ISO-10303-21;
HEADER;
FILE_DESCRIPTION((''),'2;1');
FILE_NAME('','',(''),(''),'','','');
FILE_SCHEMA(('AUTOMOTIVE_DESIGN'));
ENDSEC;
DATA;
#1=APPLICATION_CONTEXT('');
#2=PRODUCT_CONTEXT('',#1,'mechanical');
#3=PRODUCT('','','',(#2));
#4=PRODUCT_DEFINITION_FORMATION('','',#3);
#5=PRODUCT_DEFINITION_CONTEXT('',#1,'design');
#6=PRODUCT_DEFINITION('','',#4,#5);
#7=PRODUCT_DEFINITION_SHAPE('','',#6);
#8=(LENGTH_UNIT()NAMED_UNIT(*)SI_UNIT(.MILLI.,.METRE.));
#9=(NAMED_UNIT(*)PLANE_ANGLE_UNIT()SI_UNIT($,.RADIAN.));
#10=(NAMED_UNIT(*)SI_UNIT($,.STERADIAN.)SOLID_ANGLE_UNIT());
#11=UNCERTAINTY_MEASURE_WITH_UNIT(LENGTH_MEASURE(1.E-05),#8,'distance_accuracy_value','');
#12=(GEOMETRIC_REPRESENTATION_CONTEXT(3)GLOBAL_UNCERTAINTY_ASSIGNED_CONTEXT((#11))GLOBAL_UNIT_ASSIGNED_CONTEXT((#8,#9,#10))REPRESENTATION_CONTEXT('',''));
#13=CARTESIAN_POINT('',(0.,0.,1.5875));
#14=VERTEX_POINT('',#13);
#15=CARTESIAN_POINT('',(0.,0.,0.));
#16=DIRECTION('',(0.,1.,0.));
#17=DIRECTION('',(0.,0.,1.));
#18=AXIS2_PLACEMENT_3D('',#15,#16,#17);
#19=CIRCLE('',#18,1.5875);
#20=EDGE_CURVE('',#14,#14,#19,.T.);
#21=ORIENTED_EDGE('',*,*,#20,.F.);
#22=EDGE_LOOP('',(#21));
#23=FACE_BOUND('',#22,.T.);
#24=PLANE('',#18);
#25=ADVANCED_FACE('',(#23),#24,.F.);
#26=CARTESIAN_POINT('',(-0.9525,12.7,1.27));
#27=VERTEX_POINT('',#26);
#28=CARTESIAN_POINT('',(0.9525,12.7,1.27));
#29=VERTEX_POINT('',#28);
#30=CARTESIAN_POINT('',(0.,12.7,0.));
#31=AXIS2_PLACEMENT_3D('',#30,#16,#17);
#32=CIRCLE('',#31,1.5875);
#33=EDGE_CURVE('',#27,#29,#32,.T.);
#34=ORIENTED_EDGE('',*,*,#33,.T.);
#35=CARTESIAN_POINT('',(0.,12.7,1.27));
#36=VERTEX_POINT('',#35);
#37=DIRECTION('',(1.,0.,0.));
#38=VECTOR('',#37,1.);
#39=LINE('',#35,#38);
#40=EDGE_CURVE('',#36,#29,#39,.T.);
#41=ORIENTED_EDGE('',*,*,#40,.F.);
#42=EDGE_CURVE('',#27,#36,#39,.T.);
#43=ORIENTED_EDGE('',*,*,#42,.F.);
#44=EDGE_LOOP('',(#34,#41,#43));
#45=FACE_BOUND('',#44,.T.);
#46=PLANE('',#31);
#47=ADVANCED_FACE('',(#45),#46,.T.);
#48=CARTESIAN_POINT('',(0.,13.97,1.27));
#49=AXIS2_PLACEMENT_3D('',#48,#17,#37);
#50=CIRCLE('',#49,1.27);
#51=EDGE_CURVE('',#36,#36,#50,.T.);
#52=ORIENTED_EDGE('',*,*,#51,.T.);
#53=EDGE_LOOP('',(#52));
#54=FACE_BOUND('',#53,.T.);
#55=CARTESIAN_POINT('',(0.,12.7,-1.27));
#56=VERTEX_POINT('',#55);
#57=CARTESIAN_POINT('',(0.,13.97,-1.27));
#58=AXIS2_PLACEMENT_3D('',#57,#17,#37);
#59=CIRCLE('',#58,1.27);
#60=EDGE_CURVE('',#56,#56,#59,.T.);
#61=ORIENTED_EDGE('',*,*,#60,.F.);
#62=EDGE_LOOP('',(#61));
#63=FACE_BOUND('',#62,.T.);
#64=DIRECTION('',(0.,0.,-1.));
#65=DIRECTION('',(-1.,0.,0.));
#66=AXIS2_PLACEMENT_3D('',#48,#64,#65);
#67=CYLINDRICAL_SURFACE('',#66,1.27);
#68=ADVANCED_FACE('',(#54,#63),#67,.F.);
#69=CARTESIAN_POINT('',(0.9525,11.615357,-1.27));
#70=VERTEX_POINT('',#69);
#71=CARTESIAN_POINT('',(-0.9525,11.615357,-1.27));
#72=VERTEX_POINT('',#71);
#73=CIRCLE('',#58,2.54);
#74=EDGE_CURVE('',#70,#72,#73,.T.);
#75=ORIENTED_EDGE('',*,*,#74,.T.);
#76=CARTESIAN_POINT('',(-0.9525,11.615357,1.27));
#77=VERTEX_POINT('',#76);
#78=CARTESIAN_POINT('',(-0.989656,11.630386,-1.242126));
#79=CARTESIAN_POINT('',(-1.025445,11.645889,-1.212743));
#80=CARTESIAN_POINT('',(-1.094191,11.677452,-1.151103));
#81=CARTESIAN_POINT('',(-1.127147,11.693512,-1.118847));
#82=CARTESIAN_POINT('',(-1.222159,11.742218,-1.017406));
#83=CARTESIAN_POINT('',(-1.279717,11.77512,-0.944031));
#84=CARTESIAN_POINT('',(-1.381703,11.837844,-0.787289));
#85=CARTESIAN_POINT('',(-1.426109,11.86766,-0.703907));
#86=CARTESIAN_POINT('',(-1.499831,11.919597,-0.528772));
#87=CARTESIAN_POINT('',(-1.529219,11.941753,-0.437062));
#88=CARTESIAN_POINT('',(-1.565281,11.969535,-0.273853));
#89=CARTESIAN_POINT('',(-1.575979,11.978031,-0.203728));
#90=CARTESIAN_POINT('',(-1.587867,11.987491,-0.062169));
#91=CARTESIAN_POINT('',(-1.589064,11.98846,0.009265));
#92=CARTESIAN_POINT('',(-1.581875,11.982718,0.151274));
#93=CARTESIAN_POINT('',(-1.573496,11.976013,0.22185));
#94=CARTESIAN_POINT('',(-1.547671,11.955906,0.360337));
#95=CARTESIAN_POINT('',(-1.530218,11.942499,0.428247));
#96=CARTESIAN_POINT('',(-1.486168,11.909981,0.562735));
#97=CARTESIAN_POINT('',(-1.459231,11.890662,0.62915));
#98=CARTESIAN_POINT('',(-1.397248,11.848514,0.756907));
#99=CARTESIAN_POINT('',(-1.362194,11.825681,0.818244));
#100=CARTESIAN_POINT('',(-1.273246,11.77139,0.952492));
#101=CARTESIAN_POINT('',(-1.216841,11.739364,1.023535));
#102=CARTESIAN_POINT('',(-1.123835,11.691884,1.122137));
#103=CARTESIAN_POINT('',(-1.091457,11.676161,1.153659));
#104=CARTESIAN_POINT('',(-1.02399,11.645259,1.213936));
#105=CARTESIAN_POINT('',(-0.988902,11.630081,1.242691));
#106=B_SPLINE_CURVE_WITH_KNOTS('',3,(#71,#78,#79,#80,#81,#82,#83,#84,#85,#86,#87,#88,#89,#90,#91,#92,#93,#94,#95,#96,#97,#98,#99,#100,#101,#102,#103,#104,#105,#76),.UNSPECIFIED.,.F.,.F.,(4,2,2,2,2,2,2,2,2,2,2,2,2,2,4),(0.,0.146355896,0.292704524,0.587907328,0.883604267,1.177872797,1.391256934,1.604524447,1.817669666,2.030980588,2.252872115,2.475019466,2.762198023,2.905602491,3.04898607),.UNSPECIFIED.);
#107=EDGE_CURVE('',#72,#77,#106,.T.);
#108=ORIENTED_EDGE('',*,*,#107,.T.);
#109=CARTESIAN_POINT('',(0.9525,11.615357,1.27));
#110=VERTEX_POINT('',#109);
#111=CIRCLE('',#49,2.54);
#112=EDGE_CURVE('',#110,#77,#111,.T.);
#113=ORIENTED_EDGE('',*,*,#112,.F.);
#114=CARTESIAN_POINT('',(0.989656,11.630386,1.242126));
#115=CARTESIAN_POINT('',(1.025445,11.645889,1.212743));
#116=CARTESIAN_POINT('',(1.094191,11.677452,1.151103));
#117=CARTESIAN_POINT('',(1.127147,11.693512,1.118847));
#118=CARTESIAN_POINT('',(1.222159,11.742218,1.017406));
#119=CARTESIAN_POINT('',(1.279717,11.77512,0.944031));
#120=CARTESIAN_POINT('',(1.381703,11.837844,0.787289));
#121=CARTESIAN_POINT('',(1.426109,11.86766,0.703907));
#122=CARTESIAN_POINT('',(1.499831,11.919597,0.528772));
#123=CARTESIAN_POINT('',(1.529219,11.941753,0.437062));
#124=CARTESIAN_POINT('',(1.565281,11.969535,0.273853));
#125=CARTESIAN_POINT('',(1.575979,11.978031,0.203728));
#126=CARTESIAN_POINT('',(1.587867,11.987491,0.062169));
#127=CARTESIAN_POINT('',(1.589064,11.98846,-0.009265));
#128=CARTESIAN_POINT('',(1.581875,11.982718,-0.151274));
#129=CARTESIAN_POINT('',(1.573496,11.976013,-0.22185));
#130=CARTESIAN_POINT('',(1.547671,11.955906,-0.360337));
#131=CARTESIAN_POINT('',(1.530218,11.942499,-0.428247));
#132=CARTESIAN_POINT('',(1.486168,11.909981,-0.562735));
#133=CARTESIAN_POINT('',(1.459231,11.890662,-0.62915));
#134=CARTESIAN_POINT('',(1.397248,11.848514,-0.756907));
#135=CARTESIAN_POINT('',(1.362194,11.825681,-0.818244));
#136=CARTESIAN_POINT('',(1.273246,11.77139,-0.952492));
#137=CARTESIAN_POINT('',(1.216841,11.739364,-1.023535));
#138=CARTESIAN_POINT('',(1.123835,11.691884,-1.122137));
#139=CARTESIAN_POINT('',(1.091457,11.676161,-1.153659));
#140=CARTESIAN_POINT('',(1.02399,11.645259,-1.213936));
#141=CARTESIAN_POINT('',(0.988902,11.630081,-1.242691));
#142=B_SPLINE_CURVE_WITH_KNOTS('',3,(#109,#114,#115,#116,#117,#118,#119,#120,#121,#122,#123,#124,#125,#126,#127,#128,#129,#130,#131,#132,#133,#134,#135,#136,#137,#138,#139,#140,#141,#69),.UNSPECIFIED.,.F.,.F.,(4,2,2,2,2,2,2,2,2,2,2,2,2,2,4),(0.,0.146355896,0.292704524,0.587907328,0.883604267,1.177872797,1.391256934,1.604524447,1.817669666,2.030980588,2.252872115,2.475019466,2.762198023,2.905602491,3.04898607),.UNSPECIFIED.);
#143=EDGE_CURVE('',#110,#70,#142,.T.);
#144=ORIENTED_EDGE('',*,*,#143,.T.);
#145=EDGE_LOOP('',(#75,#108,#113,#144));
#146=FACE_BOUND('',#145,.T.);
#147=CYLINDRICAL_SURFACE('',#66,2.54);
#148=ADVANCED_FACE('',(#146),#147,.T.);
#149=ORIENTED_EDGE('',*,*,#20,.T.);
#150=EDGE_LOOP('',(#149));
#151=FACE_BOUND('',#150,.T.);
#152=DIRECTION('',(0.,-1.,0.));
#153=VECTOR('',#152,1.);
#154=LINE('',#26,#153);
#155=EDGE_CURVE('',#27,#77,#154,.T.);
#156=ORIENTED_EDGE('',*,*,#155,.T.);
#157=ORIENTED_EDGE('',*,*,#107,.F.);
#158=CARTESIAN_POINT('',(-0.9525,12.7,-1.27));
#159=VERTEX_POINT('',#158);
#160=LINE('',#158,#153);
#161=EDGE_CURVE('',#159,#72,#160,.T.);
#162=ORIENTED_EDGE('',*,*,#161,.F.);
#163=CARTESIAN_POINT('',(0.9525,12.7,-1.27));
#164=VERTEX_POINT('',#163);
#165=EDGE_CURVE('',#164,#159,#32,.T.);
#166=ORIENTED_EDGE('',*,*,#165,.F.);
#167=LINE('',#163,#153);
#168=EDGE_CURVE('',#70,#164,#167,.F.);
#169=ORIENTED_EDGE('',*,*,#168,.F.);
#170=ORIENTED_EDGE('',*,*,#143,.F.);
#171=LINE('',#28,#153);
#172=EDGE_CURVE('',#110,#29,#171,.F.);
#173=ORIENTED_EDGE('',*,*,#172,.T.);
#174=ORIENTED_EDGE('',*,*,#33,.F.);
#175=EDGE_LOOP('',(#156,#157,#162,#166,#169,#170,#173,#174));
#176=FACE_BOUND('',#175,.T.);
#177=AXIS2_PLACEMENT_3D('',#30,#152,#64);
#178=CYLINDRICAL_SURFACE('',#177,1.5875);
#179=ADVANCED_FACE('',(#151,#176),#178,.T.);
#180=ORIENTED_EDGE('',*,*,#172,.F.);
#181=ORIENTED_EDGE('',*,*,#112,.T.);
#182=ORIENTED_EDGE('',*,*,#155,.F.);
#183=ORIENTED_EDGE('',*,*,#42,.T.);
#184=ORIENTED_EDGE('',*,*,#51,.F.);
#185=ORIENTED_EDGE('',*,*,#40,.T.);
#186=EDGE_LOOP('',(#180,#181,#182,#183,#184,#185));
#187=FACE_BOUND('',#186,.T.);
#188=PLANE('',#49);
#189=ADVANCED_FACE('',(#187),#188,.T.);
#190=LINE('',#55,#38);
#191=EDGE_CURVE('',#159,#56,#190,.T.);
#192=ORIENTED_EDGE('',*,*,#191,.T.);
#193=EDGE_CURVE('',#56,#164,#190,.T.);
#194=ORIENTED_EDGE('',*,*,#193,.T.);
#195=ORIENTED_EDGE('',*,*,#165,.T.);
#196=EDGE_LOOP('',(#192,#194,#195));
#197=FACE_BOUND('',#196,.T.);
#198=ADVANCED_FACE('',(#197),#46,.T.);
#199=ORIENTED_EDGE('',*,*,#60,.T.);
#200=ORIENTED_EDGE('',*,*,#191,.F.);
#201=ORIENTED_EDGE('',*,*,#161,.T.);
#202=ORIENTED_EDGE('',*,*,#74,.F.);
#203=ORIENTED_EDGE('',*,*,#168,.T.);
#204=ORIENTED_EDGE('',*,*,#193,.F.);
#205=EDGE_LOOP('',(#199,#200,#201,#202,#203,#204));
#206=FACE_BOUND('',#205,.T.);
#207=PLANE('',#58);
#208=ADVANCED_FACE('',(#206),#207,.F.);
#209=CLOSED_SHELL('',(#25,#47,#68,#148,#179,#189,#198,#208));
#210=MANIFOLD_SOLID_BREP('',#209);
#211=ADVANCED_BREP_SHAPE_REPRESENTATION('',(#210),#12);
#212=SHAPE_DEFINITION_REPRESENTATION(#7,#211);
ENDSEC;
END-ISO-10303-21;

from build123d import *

# Parameters (mm, degrees)
SKETCH1_R      = 1.5875
EXTRUDE1_DEPTH = 12.7
SKETCH2_R      = 2.54
SKETCH2_R_2    = 1.27
EXTRUDE2_DEPTH = 1.27


with BuildPart() as part:
    # Sketch1 → Extrude1 (new body)
    with BuildSketch(Plane(origin=(0, 0, 0), x_dir=(1, 0, 0), z_dir=(0, 1, 0))):
        with Locations(Location((0, 0, 0), (0, 0, 270))):
            Circle(SKETCH1_R)
    extrude(amount=EXTRUDE1_DEPTH)

    # Sketch2 → Extrude2 (add, symmetric)
    with BuildSketch(Plane.XY):
        with Locations((0, 13.97)):
            Circle(SKETCH2_R)
        with Locations(Location((0, 13.97, 0), (0, 0, 270))):
            Circle(SKETCH2_R_2, mode=Mode.SUBTRACT)
    extrude(amount=EXTRUDE2_DEPTH, both=True)


solid = part.part
